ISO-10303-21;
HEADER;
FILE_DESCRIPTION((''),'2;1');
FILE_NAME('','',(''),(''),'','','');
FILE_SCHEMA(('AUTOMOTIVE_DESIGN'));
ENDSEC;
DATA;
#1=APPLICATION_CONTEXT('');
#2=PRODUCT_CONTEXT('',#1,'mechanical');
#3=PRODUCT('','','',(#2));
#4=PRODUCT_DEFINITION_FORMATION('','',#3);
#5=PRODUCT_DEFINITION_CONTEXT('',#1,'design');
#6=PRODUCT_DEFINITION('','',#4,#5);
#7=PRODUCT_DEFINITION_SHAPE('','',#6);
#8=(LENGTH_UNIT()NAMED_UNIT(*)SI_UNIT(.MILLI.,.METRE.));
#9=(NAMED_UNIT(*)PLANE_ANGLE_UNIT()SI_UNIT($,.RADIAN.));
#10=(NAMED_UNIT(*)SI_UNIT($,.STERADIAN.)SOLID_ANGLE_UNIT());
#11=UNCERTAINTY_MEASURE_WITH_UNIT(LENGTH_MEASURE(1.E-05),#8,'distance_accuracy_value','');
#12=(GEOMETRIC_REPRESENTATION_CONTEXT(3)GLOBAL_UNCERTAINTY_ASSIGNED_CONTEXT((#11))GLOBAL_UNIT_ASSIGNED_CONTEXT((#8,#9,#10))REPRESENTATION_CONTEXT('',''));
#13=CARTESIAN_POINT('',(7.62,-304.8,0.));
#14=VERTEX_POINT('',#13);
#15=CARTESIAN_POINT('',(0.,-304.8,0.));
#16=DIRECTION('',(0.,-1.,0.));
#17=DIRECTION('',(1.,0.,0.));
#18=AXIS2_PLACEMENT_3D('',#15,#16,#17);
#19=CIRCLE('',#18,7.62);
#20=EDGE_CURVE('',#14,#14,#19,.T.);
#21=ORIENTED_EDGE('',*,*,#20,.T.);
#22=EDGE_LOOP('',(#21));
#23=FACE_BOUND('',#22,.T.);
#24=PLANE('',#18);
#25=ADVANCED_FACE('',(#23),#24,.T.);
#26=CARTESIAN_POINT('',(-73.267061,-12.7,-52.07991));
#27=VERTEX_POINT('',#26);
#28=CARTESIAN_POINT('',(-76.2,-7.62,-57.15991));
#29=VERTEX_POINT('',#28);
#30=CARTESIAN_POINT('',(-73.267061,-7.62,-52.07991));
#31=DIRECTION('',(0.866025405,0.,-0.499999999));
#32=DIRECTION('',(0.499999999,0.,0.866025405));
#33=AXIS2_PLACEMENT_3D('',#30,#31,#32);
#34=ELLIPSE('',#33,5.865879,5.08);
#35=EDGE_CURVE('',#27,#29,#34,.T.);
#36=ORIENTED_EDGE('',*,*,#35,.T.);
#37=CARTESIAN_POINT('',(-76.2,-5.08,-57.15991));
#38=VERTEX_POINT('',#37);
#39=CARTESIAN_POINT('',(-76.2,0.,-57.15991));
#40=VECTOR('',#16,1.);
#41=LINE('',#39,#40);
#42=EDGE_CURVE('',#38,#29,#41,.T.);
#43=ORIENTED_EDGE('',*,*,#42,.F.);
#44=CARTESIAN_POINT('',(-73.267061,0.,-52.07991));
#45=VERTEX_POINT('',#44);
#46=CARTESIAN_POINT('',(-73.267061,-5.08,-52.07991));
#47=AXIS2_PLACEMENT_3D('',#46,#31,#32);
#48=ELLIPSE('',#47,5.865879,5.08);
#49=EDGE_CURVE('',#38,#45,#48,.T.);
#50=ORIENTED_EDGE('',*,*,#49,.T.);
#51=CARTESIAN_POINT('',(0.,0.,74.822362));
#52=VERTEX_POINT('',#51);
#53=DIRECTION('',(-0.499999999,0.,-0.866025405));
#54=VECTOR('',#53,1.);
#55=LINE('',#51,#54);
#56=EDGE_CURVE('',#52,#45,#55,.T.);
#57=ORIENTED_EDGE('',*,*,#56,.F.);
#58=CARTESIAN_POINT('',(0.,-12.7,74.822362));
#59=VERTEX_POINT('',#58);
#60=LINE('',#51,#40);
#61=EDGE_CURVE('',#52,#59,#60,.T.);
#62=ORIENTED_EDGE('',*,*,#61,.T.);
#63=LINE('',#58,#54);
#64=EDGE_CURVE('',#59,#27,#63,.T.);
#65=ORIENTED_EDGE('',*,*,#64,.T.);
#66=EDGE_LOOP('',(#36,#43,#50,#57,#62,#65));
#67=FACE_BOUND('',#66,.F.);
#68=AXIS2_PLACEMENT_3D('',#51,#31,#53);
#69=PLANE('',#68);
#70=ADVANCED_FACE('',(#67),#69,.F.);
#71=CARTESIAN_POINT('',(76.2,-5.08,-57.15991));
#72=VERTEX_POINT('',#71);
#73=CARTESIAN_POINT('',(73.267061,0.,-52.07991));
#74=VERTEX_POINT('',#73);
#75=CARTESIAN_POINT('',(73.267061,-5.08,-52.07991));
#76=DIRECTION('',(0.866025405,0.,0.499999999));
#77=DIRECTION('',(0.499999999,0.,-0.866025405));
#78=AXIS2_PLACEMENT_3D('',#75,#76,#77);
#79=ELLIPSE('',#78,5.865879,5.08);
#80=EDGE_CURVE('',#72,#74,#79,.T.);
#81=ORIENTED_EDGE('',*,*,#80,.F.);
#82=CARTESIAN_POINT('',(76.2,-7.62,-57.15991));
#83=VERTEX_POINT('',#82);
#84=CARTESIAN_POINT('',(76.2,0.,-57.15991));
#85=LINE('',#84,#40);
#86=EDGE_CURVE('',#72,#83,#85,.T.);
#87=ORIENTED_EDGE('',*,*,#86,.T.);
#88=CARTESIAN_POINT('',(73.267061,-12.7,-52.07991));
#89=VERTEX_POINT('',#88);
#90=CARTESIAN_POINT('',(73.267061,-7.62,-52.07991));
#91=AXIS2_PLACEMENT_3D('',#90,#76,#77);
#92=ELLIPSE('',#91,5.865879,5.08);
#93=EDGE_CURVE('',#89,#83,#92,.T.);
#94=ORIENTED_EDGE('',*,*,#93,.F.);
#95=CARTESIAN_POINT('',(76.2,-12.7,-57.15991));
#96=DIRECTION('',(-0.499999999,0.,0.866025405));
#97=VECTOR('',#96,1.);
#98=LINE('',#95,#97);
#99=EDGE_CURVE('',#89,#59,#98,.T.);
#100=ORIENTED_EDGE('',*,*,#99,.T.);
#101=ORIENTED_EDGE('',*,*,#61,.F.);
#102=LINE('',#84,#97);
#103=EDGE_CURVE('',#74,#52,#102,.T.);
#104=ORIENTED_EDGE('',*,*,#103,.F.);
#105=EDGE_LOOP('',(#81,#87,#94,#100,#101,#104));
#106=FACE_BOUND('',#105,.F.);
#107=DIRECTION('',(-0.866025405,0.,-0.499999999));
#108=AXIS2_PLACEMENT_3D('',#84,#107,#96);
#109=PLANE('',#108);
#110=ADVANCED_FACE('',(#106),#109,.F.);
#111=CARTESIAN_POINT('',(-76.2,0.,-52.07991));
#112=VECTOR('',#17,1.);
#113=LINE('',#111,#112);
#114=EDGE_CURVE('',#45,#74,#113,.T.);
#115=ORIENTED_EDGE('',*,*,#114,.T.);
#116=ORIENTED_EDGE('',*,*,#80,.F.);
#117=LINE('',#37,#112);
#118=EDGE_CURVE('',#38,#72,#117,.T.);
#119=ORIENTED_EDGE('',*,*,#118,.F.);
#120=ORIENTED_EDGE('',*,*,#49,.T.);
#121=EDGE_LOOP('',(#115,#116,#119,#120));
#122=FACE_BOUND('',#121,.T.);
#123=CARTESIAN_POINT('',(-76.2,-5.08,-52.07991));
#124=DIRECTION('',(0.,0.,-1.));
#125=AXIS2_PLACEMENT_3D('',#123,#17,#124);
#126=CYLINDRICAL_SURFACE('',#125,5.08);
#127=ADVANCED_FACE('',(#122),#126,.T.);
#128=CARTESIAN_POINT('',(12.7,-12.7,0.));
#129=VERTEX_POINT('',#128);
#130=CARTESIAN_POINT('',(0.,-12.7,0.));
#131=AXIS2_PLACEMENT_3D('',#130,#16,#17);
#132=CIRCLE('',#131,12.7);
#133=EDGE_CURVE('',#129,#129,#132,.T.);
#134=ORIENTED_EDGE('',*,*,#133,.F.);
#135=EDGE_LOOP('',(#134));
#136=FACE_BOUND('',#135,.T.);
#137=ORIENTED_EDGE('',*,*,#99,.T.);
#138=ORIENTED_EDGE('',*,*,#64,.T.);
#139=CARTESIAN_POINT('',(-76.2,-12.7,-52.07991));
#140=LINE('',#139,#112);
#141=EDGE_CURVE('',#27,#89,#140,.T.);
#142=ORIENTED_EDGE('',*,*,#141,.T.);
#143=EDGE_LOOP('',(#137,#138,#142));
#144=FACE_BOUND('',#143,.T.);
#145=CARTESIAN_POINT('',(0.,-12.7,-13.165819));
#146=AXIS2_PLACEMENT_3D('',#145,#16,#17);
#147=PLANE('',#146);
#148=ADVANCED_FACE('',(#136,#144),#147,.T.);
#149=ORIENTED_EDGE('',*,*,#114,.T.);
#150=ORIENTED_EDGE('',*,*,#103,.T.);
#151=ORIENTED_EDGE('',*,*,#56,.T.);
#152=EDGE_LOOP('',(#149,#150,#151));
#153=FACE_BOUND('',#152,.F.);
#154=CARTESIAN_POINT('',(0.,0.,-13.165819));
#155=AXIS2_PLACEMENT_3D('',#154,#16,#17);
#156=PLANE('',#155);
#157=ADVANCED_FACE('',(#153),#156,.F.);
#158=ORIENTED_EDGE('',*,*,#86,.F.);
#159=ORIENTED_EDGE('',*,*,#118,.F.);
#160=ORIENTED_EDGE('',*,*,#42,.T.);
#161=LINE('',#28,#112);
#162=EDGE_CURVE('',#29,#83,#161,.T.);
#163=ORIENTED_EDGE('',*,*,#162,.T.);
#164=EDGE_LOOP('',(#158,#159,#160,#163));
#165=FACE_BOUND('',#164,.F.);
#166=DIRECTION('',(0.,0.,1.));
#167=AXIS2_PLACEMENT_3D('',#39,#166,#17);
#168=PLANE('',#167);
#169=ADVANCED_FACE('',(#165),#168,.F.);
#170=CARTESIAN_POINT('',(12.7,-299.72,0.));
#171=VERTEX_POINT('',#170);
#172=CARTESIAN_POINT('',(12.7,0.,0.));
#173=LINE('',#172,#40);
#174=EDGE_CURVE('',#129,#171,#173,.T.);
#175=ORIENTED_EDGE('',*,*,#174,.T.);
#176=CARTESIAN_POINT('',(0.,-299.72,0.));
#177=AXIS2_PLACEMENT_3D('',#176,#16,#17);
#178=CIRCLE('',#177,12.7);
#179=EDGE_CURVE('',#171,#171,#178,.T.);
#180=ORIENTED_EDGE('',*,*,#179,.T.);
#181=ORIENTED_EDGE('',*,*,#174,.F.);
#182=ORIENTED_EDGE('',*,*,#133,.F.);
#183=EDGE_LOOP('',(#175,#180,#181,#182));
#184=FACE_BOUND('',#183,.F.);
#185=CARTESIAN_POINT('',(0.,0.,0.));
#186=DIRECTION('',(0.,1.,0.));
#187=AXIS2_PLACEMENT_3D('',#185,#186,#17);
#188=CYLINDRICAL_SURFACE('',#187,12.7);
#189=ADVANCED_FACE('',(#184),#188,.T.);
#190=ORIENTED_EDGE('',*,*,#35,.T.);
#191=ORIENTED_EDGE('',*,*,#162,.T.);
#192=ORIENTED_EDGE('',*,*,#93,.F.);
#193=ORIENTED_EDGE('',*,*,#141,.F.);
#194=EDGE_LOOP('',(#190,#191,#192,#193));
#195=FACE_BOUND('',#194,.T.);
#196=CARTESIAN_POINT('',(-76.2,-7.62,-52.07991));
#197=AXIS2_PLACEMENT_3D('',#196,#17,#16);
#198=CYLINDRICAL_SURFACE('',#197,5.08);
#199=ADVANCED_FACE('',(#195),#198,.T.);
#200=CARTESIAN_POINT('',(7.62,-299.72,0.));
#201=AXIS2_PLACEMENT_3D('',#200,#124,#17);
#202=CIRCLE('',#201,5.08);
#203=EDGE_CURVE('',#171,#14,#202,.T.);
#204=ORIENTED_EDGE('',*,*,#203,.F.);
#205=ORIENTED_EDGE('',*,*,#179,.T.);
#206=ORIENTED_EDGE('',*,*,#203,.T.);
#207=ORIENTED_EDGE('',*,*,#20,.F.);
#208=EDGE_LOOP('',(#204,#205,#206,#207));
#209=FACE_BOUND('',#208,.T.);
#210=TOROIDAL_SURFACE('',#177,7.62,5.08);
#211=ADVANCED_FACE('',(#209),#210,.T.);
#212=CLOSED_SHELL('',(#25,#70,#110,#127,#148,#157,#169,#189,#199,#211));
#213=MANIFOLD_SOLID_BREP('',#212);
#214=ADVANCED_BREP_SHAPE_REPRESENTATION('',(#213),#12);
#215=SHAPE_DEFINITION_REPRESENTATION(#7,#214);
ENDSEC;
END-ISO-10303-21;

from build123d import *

# Parameters (mm, degrees)
F0_R     = 12.7
F1_DEPTH = 12.7
F2_DEPTH = 304.8
F3_R     = 5.08
F4_R     = 5.08
F5_R     = 5.08


with BuildPart() as f1:
    # F0 (on Front) → F1 (new body)
    with BuildSketch(Plane.XZ):
        Polygon((76.2, -57.15991), (0, 74.822362), (-76.2, -57.15991), align=None)
        Circle(F0_R, mode=Mode.SUBTRACT)
    extrude(amount=F1_DEPTH)

    # F0 (on Front) → F2 (join)
    with BuildSketch(Plane.XZ):
        Circle(F0_R)
    extrude(amount=F2_DEPTH)

    # F3
    f3_edges = [f1.edges().sort_by_distance(p)[0] for p in [
        (-12.7, -304.8, 0),
    ]]
    fillet(f3_edges, radius=F3_R)

    # F4
    f4_edges = [f1.edges().sort_by_distance(p)[0] for p in [
        (0, -12.7, -57.15991),
    ]]
    fillet(f4_edges, radius=F4_R)

    # F5
    f5_edges = [f1.edges().sort_by_distance(p)[0] for p in [
        (0, 0, -57.15991),
    ]]
    fillet(f5_edges, radius=F5_R)


solid = f1.part
